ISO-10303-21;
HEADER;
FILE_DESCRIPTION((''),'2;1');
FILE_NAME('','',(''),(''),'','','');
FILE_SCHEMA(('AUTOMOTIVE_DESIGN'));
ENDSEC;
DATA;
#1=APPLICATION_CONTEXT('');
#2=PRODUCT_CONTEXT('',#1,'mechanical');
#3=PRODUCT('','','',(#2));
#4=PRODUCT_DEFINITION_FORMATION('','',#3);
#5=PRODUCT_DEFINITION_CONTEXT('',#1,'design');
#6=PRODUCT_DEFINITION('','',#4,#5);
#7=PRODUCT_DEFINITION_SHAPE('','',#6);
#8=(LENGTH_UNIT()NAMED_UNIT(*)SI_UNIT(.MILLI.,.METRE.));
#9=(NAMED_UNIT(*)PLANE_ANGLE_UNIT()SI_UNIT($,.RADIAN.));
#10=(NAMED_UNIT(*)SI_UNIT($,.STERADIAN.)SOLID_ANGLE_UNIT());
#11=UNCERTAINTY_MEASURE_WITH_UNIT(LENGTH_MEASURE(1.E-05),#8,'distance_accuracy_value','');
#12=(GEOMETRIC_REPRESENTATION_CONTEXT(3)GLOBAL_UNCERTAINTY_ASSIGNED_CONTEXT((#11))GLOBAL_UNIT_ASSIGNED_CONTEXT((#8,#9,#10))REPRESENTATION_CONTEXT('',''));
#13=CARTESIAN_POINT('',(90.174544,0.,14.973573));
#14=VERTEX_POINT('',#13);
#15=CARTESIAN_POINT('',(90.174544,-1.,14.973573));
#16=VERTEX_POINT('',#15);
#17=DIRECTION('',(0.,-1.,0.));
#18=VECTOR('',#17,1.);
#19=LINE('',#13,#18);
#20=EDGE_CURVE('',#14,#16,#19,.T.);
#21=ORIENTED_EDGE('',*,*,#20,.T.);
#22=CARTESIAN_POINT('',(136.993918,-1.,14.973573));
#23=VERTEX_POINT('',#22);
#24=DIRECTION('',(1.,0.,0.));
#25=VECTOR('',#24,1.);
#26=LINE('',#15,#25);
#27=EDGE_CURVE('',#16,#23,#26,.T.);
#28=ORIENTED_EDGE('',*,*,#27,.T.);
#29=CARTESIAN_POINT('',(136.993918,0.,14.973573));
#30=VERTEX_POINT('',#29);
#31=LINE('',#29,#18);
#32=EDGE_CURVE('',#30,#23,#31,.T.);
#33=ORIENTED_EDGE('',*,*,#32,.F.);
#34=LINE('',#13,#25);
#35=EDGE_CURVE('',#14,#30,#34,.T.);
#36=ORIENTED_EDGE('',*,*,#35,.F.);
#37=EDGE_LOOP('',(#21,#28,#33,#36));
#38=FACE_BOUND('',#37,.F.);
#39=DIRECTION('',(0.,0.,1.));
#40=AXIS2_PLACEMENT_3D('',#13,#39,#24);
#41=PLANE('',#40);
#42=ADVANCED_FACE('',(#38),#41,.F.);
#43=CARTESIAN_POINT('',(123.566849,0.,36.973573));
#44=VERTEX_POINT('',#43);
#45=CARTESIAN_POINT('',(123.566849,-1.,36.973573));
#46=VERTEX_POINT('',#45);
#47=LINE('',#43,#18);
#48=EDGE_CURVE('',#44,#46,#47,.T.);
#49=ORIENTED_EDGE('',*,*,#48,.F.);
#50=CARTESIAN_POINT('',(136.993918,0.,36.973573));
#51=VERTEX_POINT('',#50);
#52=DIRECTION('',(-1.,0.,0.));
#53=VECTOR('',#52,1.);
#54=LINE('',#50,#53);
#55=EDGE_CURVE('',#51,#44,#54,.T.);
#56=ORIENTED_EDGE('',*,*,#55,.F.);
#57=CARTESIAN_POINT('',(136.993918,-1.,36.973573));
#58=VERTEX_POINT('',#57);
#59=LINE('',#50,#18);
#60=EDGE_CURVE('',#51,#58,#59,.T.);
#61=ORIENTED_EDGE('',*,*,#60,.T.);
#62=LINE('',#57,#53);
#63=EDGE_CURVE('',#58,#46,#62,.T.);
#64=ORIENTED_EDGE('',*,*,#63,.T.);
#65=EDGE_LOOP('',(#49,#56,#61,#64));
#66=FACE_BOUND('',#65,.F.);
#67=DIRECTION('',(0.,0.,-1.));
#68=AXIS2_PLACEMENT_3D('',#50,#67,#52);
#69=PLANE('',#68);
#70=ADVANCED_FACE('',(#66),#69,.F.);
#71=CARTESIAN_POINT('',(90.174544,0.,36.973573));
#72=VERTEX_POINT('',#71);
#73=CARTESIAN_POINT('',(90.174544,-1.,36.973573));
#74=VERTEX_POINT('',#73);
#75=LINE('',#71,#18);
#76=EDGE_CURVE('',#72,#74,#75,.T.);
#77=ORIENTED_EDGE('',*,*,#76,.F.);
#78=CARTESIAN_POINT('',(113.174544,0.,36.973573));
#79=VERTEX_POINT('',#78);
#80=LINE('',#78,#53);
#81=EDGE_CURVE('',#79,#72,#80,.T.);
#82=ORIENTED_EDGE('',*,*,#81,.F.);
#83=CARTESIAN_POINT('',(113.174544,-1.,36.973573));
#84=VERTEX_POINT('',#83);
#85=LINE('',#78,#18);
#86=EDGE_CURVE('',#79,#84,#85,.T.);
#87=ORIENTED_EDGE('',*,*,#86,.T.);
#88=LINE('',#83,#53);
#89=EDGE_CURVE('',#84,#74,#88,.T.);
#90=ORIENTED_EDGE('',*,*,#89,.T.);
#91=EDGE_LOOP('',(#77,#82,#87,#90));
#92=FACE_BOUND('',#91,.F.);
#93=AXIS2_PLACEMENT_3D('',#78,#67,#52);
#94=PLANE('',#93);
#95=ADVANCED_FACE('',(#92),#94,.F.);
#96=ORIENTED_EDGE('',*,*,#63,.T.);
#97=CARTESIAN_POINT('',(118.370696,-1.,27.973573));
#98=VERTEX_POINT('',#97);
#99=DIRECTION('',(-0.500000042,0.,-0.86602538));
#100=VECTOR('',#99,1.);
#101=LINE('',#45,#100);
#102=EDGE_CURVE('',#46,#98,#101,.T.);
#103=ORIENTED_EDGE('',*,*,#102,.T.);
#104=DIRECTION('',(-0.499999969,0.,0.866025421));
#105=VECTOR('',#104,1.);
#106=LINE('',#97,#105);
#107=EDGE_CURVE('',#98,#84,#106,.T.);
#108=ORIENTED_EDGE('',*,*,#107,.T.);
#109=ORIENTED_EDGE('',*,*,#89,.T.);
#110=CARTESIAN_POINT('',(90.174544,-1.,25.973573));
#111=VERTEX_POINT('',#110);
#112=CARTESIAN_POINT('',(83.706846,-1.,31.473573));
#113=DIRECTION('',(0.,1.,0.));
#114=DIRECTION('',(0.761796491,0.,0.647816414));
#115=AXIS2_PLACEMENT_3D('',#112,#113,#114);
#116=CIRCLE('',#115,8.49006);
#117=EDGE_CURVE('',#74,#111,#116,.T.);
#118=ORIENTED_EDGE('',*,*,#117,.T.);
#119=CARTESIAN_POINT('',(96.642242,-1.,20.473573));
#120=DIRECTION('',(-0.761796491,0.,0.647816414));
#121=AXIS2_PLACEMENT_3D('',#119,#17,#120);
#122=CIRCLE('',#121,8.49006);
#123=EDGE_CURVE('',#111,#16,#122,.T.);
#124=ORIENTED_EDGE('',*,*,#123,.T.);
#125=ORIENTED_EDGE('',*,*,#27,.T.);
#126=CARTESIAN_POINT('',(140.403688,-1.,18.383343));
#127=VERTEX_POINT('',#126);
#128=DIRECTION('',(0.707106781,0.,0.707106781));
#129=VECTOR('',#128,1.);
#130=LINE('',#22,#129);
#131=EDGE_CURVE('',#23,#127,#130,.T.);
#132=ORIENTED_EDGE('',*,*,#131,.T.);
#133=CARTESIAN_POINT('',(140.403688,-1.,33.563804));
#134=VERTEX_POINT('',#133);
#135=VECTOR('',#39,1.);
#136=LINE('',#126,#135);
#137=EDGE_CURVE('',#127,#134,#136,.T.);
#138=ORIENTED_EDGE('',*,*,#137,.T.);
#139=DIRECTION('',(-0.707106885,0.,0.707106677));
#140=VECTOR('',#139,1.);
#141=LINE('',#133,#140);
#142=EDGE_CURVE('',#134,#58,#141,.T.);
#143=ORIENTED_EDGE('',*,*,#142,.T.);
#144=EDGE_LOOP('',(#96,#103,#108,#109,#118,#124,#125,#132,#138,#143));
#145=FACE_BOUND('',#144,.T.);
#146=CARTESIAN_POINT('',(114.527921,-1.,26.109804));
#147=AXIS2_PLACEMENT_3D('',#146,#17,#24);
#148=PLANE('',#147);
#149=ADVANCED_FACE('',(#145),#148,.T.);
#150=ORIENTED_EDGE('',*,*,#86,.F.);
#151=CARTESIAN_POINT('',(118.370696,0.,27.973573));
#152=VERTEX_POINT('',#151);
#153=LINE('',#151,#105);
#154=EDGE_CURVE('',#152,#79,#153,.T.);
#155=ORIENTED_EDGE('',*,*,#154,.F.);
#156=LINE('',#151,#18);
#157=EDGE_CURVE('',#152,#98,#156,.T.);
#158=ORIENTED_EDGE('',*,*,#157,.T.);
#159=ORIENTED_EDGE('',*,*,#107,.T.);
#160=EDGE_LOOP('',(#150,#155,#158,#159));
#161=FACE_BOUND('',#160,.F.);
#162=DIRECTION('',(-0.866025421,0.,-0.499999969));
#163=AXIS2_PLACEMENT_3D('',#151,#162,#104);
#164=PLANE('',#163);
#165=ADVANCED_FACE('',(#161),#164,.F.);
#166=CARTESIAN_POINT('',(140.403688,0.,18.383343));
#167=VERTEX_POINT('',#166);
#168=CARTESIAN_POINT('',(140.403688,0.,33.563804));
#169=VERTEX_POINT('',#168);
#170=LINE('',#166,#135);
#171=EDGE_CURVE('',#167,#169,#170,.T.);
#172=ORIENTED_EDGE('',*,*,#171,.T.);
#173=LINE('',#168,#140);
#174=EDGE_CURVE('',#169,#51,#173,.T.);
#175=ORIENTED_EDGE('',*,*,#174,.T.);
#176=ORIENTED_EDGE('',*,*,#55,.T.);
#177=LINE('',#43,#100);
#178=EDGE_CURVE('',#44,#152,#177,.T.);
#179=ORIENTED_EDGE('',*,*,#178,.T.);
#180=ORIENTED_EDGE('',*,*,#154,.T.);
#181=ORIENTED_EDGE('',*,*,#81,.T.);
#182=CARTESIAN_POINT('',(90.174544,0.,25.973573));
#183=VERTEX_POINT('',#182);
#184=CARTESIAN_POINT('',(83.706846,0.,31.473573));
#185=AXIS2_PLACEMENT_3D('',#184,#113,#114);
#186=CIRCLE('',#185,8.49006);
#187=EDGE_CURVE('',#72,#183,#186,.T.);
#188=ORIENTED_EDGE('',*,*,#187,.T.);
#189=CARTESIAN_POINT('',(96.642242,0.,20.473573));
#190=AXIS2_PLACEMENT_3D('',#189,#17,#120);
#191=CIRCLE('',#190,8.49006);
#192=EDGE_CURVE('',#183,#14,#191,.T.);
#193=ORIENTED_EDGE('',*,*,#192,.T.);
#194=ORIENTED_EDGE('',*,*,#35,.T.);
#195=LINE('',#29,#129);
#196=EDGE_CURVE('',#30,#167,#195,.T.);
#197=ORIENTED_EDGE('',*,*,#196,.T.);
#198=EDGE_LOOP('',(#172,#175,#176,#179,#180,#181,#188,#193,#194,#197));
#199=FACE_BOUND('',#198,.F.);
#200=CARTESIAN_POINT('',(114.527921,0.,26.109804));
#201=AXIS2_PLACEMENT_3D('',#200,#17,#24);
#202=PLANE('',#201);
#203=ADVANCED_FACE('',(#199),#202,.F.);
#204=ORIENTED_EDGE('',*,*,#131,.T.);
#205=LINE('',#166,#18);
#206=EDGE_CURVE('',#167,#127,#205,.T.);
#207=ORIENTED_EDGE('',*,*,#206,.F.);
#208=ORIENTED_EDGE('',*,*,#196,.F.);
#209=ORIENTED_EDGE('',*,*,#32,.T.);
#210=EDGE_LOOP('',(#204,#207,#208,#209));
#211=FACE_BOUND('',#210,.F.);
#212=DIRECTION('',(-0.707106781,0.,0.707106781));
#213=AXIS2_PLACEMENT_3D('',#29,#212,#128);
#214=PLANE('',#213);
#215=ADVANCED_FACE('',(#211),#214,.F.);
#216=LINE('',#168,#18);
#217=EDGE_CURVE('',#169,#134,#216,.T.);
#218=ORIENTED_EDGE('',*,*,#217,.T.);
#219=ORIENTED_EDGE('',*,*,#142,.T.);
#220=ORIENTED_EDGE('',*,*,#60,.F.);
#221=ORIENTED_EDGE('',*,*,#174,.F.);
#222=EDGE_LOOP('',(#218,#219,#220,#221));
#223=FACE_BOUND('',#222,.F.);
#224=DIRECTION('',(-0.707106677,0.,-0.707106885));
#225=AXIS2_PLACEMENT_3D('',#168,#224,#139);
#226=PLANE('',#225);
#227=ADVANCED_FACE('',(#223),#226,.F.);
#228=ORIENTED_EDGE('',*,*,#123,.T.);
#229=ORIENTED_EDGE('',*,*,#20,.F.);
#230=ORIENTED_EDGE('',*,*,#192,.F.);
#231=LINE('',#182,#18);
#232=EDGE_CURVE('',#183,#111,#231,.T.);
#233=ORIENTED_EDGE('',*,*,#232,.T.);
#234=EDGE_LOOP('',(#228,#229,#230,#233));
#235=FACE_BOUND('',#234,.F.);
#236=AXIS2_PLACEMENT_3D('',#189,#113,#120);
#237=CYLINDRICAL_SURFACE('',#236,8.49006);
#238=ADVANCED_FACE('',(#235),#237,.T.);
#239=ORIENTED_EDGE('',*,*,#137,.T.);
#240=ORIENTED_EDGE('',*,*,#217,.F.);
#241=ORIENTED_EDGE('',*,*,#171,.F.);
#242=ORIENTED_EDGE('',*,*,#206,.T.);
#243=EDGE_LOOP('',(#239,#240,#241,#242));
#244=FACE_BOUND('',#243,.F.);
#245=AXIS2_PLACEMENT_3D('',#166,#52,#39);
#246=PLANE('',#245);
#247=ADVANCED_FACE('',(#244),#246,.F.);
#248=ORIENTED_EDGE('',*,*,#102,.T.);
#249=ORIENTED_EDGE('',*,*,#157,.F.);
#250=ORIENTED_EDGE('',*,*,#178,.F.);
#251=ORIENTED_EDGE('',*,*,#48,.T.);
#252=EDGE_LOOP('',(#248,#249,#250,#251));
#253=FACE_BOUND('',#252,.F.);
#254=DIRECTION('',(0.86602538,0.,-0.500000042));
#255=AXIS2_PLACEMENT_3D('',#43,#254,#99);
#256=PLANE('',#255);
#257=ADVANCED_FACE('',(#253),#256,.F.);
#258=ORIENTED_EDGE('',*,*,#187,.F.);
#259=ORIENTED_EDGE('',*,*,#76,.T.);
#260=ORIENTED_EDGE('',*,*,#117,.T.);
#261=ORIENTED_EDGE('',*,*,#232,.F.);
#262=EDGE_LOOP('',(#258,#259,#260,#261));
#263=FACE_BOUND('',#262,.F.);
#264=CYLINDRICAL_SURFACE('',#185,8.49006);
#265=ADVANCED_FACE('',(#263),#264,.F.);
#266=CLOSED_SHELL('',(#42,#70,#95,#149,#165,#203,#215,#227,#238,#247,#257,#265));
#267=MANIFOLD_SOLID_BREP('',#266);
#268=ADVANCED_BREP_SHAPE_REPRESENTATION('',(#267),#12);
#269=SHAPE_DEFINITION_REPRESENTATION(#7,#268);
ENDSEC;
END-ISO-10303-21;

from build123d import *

# Parameters (mm, degrees)
F1_DEPTH = 1


with BuildPart() as f1:
    # F0 (on Front) → F1 (new body)
    with BuildSketch(Plane.XZ):
        with BuildLine():
            Line((113.174544, 36.973573), (90.174544, 36.973573))
            ThreePointArc((90.174544, 36.973573), (92.196906, 31.473573), (90.174544, 25.973573))
            ThreePointArc((90.174544, 25.973573), (88.152182, 20.473573), (90.174544, 14.973573))
            Line((90.174544, 14.973573), (111.174544, 14.973573))
            Line((111.174544, 14.973573), (121.566849, 14.973573))
            Line((121.566849, 14.973573), (136.993918, 14.973573))
            Line((136.993918, 14.973573), (140.403688, 18.383343))
            Line((140.403688, 18.383343), (140.403688, 25.973573))
            Line((140.403688, 25.973573), (140.403688, 33.563804))
            Line((140.403688, 33.563804), (136.993918, 36.973573))
            Line((136.993918, 36.973573), (123.566849, 36.973573))
            Line((123.566849, 36.973573), (118.370696, 27.973573))
            Line((118.370696, 27.973573), (113.174544, 36.973573))
        make_face()
    extrude(amount=F1_DEPTH)


solid = f1.part
